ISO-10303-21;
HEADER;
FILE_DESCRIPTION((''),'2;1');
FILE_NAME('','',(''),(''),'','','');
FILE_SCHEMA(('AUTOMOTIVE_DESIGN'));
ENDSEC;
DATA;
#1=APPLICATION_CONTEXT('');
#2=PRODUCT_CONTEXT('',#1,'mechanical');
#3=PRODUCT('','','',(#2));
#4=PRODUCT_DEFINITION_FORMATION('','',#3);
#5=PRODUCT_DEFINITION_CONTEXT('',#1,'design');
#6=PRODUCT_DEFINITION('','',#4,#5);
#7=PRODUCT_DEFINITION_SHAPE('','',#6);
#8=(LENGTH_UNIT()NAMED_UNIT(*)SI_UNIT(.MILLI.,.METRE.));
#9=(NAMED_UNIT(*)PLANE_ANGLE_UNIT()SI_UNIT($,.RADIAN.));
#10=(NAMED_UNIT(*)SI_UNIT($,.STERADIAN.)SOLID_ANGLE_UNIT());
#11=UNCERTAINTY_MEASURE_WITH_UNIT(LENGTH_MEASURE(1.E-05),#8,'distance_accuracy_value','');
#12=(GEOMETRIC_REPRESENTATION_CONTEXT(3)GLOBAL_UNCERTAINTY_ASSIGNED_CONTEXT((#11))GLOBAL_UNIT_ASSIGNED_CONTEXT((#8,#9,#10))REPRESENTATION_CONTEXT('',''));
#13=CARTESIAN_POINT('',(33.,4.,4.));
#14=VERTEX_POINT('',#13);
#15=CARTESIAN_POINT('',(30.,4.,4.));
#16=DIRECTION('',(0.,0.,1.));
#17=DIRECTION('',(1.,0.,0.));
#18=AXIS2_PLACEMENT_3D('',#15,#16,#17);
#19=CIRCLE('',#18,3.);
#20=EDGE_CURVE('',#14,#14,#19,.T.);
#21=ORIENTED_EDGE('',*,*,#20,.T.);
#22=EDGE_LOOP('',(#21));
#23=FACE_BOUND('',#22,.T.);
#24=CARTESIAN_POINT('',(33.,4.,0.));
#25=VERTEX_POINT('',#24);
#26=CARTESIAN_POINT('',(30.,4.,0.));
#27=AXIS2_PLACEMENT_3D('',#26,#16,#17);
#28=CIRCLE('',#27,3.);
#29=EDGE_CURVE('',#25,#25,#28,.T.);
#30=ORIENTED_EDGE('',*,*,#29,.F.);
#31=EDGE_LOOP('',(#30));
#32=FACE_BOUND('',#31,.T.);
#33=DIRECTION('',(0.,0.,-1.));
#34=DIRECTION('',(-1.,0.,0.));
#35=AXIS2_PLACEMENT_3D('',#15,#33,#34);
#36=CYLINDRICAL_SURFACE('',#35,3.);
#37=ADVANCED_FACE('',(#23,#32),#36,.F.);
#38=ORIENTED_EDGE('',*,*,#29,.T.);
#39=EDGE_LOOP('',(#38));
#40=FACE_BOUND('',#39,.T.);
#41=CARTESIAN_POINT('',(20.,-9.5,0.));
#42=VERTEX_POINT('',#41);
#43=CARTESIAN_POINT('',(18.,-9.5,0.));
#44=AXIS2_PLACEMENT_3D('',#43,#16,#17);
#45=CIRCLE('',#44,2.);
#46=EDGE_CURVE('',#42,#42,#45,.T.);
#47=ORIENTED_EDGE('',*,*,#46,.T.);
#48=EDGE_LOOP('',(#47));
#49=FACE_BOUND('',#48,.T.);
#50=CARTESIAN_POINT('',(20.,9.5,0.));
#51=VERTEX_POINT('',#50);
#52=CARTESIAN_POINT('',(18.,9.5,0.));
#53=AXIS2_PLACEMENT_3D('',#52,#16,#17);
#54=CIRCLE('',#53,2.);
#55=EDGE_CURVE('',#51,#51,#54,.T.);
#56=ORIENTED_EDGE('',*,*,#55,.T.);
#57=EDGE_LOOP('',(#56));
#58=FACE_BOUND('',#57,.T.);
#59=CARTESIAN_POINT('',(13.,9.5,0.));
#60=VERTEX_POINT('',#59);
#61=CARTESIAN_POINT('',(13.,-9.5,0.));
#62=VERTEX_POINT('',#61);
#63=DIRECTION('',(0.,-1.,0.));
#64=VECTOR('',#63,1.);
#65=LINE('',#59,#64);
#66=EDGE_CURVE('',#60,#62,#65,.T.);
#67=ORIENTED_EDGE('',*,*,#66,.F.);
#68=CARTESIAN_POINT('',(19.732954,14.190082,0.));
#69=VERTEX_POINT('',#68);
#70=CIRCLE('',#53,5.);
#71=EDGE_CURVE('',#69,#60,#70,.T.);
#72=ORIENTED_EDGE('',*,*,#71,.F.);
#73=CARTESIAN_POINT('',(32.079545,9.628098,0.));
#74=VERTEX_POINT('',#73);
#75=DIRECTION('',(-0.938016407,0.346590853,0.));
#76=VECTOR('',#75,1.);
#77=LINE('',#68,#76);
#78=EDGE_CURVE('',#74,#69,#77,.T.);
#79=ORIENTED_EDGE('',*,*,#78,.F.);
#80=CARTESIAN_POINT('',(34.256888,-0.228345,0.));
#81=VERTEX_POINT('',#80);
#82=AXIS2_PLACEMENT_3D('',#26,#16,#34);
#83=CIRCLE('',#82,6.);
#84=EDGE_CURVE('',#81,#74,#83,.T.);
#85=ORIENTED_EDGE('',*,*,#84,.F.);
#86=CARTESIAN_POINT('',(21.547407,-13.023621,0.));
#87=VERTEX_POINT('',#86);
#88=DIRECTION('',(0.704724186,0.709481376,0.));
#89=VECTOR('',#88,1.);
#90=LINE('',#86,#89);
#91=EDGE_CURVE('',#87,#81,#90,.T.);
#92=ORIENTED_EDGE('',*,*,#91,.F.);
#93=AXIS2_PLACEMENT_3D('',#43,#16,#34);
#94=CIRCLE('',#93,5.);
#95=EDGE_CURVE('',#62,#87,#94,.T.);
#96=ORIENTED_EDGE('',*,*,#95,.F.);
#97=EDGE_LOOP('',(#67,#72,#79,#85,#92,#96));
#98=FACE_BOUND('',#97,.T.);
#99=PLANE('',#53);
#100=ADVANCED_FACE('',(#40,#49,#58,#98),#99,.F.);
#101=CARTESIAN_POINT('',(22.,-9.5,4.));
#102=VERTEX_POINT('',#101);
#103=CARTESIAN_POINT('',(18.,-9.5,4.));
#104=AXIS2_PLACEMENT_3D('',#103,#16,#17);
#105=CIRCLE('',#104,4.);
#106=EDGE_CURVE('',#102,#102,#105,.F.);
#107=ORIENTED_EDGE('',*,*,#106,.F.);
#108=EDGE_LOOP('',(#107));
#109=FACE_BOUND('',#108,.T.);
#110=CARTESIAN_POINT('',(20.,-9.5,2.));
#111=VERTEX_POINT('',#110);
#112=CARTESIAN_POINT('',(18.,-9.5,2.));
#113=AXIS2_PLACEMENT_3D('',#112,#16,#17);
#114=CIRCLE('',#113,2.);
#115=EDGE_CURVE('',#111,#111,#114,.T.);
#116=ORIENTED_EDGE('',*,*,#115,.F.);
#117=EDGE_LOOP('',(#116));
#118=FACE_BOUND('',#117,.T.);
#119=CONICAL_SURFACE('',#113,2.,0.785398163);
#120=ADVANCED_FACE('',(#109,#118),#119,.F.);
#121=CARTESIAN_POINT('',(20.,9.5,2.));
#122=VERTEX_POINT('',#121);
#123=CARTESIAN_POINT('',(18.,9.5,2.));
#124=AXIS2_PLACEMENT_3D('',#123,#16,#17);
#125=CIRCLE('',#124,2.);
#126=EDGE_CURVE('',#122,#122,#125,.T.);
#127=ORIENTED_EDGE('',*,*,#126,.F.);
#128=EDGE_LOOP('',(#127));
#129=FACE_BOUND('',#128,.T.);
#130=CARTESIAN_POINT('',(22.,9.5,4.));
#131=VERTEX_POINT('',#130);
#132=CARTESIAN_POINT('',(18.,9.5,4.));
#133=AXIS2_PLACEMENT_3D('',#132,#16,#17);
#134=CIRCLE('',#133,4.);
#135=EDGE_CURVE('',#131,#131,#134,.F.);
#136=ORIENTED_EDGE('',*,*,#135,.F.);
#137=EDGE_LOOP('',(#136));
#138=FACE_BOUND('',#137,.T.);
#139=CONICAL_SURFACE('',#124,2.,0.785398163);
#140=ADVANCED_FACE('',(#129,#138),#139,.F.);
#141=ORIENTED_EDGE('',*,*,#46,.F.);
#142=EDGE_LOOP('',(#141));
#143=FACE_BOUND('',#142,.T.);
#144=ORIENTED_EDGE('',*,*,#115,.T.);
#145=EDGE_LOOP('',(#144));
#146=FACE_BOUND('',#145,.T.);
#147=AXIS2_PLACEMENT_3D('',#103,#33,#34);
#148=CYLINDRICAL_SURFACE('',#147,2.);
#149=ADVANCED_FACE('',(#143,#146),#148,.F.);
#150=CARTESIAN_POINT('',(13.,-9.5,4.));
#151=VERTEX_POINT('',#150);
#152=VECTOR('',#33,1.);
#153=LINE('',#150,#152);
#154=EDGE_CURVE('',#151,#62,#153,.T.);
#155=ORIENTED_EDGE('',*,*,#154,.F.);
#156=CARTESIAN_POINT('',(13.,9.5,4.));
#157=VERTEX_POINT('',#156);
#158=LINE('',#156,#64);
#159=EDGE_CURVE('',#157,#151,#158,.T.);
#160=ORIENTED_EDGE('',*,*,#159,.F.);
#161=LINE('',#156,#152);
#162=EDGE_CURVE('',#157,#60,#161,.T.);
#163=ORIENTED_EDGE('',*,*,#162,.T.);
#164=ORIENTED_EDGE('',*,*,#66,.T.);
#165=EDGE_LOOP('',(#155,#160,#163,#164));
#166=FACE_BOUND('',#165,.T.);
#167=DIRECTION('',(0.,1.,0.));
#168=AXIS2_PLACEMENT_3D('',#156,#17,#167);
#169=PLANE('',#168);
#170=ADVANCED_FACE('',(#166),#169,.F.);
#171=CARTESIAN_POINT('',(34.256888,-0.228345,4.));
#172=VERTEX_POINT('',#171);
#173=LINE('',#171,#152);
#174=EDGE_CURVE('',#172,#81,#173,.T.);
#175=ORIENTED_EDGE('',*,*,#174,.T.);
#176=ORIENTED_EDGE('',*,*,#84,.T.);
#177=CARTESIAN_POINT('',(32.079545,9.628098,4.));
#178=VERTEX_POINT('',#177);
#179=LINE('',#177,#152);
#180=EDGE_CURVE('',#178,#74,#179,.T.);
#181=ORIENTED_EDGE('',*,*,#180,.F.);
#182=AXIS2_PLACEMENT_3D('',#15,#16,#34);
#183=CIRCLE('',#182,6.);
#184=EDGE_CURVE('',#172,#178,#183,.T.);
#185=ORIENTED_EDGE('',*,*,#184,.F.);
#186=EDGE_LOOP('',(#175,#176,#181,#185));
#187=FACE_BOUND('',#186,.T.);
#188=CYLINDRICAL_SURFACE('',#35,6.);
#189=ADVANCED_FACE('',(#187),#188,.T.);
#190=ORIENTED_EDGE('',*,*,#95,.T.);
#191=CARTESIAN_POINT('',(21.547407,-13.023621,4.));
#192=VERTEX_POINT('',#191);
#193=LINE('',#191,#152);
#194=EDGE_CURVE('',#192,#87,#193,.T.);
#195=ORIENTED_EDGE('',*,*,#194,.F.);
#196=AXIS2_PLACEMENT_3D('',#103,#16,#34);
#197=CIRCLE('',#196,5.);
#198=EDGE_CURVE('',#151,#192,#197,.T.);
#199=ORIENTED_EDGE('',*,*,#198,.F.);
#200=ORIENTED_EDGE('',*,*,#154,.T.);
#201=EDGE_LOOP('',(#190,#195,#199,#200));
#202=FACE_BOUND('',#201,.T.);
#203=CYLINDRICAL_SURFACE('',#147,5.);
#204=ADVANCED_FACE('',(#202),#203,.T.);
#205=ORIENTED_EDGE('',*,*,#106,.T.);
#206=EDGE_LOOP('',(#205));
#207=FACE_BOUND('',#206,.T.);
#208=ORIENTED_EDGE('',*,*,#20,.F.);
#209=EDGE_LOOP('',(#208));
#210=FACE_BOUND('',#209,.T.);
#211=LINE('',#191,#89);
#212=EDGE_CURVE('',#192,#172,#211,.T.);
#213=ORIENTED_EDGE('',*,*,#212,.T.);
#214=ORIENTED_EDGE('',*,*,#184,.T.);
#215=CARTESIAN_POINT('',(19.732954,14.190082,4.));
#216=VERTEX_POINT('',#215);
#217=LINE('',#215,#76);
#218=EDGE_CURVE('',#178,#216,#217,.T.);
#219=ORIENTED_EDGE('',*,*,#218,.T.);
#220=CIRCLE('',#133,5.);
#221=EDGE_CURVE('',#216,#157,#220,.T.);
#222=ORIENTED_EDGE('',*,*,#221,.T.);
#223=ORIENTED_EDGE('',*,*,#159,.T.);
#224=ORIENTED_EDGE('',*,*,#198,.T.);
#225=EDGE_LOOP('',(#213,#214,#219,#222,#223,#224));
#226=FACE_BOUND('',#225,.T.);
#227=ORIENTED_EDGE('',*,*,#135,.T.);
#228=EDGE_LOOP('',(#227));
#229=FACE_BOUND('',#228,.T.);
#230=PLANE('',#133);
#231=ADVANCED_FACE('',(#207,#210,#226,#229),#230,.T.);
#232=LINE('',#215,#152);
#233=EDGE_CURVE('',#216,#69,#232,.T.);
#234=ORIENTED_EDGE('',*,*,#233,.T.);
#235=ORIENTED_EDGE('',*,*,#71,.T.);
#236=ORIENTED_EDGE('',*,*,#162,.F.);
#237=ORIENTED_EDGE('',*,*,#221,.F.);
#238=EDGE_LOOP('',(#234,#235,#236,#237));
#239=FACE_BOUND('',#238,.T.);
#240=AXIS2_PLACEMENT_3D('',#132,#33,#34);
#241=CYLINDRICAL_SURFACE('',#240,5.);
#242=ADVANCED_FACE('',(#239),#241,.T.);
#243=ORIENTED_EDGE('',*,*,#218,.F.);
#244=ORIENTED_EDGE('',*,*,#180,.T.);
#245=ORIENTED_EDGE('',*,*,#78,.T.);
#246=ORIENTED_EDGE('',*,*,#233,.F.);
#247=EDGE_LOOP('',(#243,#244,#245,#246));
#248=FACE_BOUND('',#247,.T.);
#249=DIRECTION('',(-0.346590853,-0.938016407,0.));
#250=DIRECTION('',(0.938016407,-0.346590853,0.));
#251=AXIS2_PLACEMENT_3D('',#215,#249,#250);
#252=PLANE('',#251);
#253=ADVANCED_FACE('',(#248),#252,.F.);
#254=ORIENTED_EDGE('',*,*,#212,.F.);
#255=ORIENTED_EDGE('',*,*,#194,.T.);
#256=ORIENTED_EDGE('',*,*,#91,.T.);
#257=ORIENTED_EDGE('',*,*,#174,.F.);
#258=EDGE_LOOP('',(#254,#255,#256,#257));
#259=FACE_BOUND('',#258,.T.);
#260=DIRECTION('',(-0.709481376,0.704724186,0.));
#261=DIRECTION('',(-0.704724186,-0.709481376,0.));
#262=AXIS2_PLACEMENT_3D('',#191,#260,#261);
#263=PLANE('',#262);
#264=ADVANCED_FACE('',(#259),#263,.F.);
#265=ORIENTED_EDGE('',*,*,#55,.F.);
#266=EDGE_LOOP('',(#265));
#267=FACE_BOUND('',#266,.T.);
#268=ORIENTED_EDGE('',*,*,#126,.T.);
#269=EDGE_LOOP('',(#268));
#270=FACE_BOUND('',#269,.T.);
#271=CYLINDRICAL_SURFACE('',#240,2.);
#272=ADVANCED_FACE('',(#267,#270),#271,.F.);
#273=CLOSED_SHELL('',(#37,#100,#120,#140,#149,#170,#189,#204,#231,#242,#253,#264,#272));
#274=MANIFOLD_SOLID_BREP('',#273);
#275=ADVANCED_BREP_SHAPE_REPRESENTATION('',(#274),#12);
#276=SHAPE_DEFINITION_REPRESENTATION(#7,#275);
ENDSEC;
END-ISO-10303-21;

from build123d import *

# Parameters (mm, degrees)
SKETCH_1_R      = 2
SKETCH_1_R_2    = 3
EXTRUDE_1_DEPTH = 4
CHAMFER_1_SIZE  = 2


with BuildPart() as part:
    # 草图1 → 凸台-拉伸1 (new body)
    with BuildSketch(Plane.XY):
        with BuildLine():
            Line((13, 9.5), (13, -9.5))
            ThreePointArc((13, -9.5), (16.094355016, -14.122609349), (21.547406878, -13.023620928))
            Line((21.547406878, -13.023620928), (34.256888253, -0.228345114))
            ThreePointArc((34.256888253, -0.228345114), (35.858751307, 5.294230708), (32.07954512, 9.628098444))
            Line((32.07954512, 9.628098444), (19.732954267, 14.190082037))
            ThreePointArc((19.732954267, 14.190082037), (15.142096164, 13.602729051), (13, 9.5))
        make_face()
        with Locations((18, 9.5)):
            Circle(SKETCH_1_R, mode=Mode.SUBTRACT)
        with Locations((18, -9.5)):
            Circle(SKETCH_1_R, mode=Mode.SUBTRACT)
        with Locations((30, 4)):
            Circle(SKETCH_1_R_2, mode=Mode.SUBTRACT)
    extrude(amount=EXTRUDE_1_DEPTH)

    # 倒角1
    chamfer_1_edges = [part.edges().sort_by_distance(p)[0] for p in [
        (16, 9.5, 4),
        (16, -9.5, 4),
    ]]
    chamfer(chamfer_1_edges, length=CHAMFER_1_SIZE)


solid = part.part
